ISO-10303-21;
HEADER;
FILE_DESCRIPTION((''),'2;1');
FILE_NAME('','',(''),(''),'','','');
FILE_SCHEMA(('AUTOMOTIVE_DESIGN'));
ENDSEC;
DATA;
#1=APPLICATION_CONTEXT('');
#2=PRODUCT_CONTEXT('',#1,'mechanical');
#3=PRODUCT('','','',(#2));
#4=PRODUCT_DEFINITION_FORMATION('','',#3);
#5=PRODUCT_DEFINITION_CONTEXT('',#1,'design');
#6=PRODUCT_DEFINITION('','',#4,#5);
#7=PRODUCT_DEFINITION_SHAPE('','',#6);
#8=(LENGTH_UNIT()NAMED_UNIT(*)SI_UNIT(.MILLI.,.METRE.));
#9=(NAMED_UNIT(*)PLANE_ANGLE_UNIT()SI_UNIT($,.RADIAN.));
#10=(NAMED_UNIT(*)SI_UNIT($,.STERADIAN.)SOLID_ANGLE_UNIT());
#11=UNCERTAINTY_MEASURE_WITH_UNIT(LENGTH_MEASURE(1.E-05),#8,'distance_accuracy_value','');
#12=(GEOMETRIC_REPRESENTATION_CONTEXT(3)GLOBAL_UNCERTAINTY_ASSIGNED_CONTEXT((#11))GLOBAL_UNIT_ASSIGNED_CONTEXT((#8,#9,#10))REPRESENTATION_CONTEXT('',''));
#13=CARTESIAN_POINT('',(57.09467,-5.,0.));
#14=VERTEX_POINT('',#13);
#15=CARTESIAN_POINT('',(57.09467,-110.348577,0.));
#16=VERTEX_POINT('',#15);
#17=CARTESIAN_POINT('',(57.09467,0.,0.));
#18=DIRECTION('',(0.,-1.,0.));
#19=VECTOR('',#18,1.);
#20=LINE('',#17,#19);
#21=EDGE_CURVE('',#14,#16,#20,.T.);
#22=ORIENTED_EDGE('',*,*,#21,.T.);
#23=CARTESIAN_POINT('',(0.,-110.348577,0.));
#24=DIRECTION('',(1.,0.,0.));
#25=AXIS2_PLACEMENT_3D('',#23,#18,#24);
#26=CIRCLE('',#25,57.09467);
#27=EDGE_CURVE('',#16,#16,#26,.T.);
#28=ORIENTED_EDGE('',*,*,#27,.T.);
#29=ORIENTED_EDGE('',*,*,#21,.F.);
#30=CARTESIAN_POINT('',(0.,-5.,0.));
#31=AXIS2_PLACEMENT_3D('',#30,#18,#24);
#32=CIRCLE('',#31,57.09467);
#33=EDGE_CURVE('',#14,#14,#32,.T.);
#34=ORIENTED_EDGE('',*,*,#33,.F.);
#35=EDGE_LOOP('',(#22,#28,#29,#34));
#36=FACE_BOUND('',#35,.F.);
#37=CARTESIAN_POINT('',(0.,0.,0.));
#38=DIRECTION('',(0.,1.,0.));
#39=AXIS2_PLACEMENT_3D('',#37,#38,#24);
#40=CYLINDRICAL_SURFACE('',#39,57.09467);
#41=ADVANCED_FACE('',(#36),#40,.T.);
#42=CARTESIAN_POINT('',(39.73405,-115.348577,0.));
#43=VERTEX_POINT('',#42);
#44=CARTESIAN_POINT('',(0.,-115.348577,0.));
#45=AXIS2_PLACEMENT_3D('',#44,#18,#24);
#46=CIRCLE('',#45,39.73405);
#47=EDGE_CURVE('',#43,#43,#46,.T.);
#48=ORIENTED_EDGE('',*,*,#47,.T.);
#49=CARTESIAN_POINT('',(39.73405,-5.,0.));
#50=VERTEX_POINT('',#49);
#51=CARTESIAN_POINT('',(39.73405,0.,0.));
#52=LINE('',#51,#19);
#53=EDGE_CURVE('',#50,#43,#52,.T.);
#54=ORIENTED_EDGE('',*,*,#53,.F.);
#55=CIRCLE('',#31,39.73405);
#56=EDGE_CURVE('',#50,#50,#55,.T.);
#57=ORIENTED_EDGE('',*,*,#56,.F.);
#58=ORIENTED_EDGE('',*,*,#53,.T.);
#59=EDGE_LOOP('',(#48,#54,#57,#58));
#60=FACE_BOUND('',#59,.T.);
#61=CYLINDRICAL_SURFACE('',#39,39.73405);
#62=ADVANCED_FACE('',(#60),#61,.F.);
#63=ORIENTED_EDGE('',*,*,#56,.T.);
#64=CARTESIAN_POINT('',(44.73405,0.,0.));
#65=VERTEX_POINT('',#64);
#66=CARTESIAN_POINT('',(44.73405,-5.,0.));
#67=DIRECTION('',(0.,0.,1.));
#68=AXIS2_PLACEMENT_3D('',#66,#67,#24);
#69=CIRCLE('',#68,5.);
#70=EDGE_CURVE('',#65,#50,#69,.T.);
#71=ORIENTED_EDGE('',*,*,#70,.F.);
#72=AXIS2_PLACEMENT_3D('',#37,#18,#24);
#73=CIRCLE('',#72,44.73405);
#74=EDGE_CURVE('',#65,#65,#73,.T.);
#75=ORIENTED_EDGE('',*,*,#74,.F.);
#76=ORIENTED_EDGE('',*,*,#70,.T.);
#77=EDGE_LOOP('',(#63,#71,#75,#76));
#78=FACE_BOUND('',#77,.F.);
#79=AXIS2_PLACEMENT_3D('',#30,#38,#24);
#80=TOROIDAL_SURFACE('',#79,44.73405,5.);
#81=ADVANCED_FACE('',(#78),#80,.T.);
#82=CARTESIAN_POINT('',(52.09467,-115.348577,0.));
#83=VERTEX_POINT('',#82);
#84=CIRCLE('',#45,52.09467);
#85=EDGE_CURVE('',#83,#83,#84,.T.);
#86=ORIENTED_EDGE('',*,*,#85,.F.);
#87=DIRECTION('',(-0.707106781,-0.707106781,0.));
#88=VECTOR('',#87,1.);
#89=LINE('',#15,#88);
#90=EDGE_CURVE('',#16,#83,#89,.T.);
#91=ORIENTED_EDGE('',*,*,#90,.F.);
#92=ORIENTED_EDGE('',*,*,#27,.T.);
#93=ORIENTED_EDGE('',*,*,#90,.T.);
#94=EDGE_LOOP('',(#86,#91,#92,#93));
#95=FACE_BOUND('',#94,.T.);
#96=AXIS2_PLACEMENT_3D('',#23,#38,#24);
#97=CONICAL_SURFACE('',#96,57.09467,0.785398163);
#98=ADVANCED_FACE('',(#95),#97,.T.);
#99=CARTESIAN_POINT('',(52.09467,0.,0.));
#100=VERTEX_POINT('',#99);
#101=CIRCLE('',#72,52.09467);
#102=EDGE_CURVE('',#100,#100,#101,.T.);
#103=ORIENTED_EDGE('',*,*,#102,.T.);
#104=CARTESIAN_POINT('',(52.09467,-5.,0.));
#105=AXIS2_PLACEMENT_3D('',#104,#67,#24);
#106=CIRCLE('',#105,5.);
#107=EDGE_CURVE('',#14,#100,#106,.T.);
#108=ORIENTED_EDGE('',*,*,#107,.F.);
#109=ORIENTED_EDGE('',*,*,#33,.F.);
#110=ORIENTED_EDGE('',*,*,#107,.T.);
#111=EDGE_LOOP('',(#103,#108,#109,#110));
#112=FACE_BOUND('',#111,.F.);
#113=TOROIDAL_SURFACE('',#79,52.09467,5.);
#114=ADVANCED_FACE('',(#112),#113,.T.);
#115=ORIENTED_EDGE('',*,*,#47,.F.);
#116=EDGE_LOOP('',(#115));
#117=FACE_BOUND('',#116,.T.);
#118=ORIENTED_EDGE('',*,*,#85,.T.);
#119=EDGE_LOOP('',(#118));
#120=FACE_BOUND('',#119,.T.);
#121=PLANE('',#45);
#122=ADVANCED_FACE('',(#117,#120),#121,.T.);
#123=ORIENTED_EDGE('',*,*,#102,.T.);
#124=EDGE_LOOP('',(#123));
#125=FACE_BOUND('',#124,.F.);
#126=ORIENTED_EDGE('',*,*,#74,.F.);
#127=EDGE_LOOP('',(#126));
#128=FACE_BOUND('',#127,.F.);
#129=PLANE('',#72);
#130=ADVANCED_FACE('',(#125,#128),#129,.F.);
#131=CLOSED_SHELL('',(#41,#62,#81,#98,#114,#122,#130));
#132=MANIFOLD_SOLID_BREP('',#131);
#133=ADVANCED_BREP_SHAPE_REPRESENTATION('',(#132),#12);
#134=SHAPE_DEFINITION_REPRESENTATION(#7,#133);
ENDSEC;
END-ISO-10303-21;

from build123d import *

# Parameters (mm, degrees)
F0_R     = 57.09467
F0_R_2   = 39.73405
F1_DEPTH = 115.348577
F2_SIZE  = 5
F3_R     = 5
F4_R     = 5


with BuildPart() as f1:
    # F0 (on Front) → F1 (new body)
    with BuildSketch(Plane.XZ):
        Circle(F0_R)
        Circle(F0_R_2, mode=Mode.SUBTRACT)
    extrude(amount=F1_DEPTH)

    # F2
    f2_edges = [f1.edges().sort_by_distance(p)[0] for p in [
        (-57.09467, -115.348577, 0),
    ]]
    chamfer(f2_edges, length=F2_SIZE)

    # F3
    f3_edges = [f1.edges().sort_by_distance(p)[0] for p in [
        (-57.09467, 0, 0),
    ]]
    fillet(f3_edges, radius=F3_R)

    # F4
    f4_edges = [f1.edges().sort_by_distance(p)[0] for p in [
        (-39.73405, 0, 0),
    ]]
    fillet(f4_edges, radius=F4_R)


solid = f1.part
